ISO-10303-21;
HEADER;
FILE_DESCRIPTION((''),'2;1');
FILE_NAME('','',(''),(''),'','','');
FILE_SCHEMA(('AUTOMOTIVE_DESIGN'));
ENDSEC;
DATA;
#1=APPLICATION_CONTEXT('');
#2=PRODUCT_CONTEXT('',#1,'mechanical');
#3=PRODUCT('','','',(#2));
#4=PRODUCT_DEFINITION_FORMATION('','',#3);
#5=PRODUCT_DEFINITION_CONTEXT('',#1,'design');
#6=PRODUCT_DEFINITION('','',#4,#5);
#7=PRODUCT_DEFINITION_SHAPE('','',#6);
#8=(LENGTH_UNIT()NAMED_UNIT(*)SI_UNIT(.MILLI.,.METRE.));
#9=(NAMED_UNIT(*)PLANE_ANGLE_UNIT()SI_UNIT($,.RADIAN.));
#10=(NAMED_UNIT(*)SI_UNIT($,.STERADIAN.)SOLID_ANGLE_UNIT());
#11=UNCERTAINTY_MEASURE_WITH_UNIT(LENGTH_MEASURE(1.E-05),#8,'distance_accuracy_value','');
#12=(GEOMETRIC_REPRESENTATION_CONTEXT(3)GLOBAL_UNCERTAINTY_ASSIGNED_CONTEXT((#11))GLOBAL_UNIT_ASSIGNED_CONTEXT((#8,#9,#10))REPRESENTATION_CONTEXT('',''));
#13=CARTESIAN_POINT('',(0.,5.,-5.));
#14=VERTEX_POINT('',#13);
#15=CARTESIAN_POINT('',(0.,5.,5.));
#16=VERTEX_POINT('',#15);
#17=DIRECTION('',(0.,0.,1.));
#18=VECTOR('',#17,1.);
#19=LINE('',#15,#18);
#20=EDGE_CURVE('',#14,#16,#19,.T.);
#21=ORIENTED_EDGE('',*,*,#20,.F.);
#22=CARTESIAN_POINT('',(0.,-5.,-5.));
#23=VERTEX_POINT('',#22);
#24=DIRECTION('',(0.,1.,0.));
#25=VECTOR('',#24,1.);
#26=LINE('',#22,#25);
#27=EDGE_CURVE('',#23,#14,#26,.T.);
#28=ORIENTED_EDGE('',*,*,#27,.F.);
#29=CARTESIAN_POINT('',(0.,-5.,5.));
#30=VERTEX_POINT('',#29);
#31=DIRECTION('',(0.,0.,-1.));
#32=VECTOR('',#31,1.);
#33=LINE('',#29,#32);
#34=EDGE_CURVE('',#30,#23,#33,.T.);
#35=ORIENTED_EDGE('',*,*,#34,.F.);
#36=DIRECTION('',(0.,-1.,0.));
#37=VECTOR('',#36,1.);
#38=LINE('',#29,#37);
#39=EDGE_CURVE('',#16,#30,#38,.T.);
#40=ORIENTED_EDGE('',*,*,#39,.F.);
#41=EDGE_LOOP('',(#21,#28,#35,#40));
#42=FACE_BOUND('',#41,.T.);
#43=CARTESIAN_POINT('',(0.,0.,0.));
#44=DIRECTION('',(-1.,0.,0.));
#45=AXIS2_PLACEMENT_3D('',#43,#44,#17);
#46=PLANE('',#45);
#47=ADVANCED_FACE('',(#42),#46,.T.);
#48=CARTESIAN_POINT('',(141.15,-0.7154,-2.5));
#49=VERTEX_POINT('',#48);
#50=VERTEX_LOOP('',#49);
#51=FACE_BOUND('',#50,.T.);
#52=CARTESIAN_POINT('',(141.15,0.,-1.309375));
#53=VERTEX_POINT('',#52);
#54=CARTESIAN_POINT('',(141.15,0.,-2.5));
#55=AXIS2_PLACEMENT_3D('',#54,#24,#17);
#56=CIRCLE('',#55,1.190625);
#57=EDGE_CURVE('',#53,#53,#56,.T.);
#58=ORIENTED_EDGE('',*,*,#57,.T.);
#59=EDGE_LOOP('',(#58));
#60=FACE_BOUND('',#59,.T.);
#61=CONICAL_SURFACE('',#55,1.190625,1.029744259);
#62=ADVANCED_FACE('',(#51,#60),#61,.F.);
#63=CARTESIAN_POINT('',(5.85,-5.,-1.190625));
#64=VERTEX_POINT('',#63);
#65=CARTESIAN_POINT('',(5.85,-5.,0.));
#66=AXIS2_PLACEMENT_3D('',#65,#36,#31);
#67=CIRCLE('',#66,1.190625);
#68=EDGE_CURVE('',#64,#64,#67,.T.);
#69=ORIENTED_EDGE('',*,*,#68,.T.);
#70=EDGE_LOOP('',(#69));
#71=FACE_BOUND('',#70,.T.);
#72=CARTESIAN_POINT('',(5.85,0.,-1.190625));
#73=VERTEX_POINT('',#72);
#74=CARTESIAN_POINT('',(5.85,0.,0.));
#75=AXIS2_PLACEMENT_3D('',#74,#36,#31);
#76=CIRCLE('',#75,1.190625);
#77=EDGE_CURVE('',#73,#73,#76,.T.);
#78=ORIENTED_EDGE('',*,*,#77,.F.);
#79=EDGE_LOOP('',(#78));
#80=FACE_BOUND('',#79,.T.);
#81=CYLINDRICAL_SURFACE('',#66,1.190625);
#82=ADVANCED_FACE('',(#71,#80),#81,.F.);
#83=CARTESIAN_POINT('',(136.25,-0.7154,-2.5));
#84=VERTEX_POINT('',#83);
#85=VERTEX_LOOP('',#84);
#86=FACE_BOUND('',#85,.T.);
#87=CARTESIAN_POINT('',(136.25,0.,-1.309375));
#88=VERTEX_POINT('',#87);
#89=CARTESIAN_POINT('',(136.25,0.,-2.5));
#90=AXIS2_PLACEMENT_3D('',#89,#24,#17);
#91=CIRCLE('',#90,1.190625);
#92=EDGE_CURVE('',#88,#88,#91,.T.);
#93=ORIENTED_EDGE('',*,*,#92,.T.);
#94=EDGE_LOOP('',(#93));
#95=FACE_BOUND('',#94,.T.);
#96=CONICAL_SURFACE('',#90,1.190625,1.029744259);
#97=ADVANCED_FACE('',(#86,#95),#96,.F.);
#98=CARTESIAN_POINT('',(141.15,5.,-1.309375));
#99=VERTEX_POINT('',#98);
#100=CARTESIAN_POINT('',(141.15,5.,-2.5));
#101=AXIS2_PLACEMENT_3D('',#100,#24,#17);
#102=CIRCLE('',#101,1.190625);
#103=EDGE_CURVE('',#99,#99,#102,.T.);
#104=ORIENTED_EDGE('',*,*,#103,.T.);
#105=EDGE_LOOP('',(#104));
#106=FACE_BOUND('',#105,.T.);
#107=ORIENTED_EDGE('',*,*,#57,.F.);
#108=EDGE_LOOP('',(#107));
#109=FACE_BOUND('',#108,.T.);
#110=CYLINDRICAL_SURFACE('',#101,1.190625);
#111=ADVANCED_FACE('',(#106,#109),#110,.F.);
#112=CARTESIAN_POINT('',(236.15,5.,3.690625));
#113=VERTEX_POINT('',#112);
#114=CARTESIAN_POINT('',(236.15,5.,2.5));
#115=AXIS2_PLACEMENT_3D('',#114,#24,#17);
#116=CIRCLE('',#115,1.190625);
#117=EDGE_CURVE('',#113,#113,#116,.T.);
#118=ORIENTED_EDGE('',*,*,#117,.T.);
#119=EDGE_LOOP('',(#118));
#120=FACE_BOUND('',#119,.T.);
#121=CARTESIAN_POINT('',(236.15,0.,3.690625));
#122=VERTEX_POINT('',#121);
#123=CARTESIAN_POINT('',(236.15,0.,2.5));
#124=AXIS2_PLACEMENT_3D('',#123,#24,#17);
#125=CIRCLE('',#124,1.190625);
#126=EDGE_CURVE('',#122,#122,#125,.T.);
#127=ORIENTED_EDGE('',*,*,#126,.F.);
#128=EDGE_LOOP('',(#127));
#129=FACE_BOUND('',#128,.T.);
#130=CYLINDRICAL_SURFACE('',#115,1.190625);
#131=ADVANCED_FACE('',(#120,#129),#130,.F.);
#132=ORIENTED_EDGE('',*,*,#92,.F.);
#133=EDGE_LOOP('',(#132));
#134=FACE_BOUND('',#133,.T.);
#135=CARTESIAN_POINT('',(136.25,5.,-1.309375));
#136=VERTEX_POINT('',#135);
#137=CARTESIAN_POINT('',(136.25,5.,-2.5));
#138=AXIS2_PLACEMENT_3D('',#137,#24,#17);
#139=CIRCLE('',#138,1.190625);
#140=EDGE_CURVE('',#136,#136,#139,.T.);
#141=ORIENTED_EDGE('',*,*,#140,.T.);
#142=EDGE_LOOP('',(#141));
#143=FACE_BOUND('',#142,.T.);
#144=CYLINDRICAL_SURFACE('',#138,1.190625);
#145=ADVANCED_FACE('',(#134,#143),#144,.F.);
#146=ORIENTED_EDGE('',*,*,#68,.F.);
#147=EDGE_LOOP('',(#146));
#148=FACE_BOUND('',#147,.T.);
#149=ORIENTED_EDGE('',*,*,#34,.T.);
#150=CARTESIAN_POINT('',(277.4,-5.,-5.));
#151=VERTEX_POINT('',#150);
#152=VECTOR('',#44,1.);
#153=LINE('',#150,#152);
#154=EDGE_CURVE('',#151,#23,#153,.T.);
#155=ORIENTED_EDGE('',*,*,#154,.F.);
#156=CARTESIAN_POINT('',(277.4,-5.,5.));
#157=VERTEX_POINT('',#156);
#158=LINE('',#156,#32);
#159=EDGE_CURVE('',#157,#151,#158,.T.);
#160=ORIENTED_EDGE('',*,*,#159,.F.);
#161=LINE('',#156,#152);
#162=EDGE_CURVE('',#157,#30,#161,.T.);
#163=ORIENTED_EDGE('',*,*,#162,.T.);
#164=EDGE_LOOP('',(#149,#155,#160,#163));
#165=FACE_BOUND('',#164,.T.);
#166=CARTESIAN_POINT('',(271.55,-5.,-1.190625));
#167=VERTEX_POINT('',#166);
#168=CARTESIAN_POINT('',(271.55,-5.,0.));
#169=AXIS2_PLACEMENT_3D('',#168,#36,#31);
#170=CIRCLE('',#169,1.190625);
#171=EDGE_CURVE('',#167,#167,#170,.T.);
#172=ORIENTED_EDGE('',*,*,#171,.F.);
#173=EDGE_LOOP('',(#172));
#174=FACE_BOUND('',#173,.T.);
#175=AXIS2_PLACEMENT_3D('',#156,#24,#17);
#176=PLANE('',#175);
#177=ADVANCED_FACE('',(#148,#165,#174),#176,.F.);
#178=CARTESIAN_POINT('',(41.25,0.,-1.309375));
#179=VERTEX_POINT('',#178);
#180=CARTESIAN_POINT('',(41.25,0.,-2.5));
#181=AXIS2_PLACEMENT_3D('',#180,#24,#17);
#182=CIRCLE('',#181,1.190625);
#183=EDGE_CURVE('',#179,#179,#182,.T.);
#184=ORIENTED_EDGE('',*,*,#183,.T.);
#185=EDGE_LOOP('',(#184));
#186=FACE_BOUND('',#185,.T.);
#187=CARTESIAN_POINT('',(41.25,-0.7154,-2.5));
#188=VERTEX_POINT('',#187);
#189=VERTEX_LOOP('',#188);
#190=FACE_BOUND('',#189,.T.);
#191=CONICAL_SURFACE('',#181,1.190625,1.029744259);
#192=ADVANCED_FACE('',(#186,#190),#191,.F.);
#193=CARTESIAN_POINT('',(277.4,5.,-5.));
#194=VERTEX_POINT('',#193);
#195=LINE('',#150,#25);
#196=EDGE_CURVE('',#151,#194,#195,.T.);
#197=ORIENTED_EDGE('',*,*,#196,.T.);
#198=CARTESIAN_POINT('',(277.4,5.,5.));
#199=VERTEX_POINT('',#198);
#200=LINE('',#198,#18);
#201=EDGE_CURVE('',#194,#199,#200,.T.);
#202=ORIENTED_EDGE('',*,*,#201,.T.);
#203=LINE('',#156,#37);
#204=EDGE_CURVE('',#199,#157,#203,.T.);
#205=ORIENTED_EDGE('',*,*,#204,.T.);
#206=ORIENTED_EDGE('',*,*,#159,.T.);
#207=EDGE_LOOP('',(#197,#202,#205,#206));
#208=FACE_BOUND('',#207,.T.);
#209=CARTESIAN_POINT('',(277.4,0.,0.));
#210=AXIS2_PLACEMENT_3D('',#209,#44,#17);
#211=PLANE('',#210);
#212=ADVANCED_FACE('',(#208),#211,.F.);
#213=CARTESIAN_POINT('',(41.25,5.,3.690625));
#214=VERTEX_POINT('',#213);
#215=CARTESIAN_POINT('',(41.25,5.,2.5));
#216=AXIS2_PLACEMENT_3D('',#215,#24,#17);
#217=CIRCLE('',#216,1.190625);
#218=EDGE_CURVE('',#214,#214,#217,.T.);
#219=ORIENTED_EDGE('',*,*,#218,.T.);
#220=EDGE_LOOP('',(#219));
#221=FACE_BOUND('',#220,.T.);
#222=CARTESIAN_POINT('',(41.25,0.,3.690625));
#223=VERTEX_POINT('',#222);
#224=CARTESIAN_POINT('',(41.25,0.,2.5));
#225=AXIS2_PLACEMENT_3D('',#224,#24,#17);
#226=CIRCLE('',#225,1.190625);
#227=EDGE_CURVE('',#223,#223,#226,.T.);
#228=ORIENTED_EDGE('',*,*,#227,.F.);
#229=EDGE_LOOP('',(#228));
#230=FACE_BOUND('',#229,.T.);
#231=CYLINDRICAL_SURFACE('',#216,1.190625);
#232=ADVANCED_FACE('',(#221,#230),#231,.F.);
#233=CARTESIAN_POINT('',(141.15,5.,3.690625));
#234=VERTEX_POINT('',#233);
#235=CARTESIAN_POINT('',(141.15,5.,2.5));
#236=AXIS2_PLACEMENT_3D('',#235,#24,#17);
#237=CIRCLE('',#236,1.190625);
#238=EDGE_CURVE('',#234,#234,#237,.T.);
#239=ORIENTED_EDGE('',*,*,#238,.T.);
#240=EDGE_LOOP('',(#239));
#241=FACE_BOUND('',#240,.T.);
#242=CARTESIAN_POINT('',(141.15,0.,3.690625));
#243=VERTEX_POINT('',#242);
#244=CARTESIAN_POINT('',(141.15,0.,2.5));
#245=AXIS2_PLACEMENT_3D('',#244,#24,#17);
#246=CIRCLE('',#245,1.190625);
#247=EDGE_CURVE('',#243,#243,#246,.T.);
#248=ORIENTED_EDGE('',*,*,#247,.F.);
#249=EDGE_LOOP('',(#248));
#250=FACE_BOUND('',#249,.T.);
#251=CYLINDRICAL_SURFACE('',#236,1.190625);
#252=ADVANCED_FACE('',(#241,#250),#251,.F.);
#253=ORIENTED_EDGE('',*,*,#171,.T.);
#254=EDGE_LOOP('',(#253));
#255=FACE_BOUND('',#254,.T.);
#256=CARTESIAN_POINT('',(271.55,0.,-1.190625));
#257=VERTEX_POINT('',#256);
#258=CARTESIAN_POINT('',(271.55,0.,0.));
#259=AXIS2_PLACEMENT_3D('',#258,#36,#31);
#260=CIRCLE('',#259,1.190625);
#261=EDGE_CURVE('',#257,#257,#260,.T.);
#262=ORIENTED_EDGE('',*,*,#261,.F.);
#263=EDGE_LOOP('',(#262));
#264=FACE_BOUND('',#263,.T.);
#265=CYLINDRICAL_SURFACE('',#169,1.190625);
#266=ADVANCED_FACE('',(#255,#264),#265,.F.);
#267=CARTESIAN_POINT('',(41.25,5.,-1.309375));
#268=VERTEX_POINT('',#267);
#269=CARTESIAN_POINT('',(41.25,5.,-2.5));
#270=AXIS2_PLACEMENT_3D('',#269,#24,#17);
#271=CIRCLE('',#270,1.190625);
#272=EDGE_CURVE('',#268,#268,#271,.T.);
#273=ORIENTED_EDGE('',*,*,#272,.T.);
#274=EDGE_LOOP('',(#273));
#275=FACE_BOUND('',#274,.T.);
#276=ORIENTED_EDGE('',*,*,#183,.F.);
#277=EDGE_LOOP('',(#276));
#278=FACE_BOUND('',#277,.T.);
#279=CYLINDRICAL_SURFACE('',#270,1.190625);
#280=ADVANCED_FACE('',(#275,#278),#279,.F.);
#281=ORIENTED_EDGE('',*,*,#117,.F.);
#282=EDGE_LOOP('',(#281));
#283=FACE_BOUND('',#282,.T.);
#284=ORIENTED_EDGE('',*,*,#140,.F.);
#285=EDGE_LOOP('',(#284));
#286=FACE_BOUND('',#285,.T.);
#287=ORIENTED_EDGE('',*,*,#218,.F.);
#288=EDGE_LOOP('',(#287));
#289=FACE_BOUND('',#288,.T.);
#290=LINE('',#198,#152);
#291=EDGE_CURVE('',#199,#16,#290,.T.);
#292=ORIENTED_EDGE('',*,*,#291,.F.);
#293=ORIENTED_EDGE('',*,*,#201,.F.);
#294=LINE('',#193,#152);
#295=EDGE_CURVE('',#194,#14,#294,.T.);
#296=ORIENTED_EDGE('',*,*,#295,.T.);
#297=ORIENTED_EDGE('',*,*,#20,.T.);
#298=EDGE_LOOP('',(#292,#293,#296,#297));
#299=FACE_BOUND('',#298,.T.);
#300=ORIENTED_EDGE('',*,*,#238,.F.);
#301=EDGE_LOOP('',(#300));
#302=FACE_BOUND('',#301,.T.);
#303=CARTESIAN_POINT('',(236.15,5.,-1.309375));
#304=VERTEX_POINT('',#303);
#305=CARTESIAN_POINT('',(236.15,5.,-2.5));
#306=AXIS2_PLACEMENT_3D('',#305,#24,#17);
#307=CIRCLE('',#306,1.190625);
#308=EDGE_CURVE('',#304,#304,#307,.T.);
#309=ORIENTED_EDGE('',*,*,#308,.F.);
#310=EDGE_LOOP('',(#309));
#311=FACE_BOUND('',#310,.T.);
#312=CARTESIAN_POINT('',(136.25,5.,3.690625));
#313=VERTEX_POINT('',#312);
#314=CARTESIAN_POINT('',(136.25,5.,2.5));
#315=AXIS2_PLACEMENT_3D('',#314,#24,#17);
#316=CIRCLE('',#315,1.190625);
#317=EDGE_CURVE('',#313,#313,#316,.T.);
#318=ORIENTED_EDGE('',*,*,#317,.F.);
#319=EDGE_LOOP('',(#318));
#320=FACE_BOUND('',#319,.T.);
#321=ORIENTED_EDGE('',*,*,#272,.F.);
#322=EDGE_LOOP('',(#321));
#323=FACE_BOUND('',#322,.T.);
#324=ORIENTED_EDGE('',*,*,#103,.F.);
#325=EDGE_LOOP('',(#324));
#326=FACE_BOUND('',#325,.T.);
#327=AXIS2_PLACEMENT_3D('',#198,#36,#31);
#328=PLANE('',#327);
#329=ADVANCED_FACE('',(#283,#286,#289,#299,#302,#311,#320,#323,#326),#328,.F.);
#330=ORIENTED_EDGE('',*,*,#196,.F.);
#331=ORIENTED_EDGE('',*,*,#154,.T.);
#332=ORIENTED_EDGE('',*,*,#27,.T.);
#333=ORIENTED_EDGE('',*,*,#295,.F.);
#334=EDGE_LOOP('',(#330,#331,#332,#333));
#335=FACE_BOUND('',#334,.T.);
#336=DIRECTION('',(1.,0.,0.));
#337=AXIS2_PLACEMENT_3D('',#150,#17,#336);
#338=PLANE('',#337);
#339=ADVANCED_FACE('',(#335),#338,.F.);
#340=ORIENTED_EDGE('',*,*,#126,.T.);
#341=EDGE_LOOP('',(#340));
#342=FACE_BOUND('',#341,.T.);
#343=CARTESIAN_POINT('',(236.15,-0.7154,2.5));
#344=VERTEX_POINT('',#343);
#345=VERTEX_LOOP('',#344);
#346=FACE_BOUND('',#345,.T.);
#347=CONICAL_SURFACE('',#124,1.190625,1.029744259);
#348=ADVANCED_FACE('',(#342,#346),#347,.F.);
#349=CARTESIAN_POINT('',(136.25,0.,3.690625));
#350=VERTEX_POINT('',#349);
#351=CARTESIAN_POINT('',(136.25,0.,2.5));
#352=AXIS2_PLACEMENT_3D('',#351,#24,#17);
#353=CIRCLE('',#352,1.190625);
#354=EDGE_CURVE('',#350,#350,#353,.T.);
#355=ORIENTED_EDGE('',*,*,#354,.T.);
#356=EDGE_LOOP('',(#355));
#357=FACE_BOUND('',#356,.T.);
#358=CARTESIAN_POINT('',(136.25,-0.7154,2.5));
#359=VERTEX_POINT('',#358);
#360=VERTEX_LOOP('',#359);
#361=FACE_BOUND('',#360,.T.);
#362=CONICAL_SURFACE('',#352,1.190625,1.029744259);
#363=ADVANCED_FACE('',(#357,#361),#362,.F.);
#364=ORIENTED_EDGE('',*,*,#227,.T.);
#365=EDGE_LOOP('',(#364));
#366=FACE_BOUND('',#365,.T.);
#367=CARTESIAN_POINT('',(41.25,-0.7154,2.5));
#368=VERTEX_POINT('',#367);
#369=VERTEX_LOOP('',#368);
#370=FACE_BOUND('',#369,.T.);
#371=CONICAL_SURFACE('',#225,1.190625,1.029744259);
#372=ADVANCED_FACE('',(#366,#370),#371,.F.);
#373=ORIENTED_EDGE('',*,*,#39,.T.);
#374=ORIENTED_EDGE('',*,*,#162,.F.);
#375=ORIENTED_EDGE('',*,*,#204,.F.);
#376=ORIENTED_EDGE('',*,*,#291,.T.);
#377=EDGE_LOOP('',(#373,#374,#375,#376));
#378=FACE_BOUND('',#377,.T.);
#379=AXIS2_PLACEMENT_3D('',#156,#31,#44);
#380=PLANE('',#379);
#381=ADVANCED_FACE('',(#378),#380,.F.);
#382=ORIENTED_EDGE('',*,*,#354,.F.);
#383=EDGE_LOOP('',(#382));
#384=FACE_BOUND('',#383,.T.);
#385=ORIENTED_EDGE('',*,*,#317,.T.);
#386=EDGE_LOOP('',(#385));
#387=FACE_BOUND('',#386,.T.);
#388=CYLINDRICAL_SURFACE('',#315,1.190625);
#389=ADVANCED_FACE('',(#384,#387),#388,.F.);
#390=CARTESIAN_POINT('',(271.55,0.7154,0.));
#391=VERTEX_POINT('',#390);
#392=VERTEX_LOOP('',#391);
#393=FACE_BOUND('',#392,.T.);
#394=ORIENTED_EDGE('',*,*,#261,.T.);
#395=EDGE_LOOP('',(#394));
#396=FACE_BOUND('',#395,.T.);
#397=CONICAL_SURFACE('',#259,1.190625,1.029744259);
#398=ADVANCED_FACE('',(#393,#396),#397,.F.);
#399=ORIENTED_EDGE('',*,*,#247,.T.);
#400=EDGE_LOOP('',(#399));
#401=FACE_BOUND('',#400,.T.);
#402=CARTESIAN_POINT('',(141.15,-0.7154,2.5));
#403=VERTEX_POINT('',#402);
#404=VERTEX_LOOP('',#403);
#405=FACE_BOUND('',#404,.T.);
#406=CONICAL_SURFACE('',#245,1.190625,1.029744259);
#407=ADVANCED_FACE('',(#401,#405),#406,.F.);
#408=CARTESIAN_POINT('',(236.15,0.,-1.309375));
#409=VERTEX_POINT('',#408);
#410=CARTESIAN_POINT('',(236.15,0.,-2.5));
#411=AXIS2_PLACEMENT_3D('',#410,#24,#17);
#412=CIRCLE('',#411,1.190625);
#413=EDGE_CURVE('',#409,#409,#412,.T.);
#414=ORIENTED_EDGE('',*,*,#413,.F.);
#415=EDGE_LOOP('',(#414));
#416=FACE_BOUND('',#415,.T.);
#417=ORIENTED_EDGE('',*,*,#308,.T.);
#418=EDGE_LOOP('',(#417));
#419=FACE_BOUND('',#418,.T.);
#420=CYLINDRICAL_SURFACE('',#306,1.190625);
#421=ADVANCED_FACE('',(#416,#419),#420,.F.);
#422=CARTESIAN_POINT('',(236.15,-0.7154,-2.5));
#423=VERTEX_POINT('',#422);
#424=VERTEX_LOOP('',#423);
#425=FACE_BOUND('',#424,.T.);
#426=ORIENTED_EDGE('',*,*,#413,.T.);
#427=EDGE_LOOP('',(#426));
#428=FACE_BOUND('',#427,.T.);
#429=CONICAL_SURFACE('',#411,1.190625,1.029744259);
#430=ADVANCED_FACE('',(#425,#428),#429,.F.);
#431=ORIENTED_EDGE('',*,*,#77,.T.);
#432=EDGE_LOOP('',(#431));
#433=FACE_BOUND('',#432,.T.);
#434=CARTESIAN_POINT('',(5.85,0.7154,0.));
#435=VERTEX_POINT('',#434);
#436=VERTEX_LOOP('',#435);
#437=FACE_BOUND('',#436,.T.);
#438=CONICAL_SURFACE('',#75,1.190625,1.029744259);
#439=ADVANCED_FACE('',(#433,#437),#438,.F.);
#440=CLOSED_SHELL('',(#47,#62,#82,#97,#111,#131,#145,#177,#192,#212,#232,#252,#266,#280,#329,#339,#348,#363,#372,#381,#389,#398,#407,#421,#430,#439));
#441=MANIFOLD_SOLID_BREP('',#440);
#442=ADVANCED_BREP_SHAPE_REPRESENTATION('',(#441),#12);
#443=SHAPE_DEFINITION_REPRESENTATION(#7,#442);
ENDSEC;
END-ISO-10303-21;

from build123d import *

# Parameters (mm, degrees)
SKETCH2_W                           = 10
SKETCH2_H                           = 10
BOSS_EXTRUDE1_DEPTH                 = 277.4
F_3_32_0_09375_DIAMETER_HOLE3_D     = 2.38125
F_3_32_0_09375_DIAMETER_HOLE3_DEPTH = 5
F_3_32_0_09375_DIAMETER_HOLE3_TIP   = 0.715399675
F_3_32_0_09375_DIAMETER_HOLE5_D     = 2.38125
F_3_32_0_09375_DIAMETER_HOLE5_DEPTH = 5
F_3_32_0_09375_DIAMETER_HOLE5_TIP   = 0.715399675


with BuildPart() as part:
    # Sketch2 → Boss-Extrude1 (new body)
    with BuildSketch(Plane(origin=(0, 0, 0), x_dir=(0, 0, -1), z_dir=(1, 0, 0))):
        Rectangle(SKETCH2_W, SKETCH2_H)
    extrude(amount=BOSS_EXTRUDE1_DEPTH)

    # 3/32 (0.09375) Diameter Hole3
    with Locations(Plane(origin=(0, -5, 0), x_dir=(-1, 0, 0), z_dir=(0, -1, 0))):
        with Locations((-5.85, 0), (-271.55, 0)):
            Hole(F_3_32_0_09375_DIAMETER_HOLE3_D / 2, depth=F_3_32_0_09375_DIAMETER_HOLE3_DEPTH)
            with Locations((0, 0, -(F_3_32_0_09375_DIAMETER_HOLE3_DEPTH + F_3_32_0_09375_DIAMETER_HOLE3_TIP / 2))):  # 118° drill point
                Cone(0, F_3_32_0_09375_DIAMETER_HOLE3_D / 2, F_3_32_0_09375_DIAMETER_HOLE3_TIP, mode=Mode.SUBTRACT)

    # 3/32 (0.09375) Diameter Hole5
    with Locations(Plane(origin=(0, 5, 0), x_dir=(1, 0, 0), z_dir=(0, 1, 0))):
        with Locations((41.25, 2.5), (41.25, -2.5), (136.25, 2.5), (136.25, -2.5), (141.15, -2.5), (141.15, 2.5), (236.15, -2.5), (236.15, 2.5)):
            Hole(F_3_32_0_09375_DIAMETER_HOLE5_D / 2, depth=F_3_32_0_09375_DIAMETER_HOLE5_DEPTH)
            with Locations((0, 0, -(F_3_32_0_09375_DIAMETER_HOLE5_DEPTH + F_3_32_0_09375_DIAMETER_HOLE5_TIP / 2))):  # 118° drill point
                Cone(0, F_3_32_0_09375_DIAMETER_HOLE5_D / 2, F_3_32_0_09375_DIAMETER_HOLE5_TIP, mode=Mode.SUBTRACT)


solid = part.part
